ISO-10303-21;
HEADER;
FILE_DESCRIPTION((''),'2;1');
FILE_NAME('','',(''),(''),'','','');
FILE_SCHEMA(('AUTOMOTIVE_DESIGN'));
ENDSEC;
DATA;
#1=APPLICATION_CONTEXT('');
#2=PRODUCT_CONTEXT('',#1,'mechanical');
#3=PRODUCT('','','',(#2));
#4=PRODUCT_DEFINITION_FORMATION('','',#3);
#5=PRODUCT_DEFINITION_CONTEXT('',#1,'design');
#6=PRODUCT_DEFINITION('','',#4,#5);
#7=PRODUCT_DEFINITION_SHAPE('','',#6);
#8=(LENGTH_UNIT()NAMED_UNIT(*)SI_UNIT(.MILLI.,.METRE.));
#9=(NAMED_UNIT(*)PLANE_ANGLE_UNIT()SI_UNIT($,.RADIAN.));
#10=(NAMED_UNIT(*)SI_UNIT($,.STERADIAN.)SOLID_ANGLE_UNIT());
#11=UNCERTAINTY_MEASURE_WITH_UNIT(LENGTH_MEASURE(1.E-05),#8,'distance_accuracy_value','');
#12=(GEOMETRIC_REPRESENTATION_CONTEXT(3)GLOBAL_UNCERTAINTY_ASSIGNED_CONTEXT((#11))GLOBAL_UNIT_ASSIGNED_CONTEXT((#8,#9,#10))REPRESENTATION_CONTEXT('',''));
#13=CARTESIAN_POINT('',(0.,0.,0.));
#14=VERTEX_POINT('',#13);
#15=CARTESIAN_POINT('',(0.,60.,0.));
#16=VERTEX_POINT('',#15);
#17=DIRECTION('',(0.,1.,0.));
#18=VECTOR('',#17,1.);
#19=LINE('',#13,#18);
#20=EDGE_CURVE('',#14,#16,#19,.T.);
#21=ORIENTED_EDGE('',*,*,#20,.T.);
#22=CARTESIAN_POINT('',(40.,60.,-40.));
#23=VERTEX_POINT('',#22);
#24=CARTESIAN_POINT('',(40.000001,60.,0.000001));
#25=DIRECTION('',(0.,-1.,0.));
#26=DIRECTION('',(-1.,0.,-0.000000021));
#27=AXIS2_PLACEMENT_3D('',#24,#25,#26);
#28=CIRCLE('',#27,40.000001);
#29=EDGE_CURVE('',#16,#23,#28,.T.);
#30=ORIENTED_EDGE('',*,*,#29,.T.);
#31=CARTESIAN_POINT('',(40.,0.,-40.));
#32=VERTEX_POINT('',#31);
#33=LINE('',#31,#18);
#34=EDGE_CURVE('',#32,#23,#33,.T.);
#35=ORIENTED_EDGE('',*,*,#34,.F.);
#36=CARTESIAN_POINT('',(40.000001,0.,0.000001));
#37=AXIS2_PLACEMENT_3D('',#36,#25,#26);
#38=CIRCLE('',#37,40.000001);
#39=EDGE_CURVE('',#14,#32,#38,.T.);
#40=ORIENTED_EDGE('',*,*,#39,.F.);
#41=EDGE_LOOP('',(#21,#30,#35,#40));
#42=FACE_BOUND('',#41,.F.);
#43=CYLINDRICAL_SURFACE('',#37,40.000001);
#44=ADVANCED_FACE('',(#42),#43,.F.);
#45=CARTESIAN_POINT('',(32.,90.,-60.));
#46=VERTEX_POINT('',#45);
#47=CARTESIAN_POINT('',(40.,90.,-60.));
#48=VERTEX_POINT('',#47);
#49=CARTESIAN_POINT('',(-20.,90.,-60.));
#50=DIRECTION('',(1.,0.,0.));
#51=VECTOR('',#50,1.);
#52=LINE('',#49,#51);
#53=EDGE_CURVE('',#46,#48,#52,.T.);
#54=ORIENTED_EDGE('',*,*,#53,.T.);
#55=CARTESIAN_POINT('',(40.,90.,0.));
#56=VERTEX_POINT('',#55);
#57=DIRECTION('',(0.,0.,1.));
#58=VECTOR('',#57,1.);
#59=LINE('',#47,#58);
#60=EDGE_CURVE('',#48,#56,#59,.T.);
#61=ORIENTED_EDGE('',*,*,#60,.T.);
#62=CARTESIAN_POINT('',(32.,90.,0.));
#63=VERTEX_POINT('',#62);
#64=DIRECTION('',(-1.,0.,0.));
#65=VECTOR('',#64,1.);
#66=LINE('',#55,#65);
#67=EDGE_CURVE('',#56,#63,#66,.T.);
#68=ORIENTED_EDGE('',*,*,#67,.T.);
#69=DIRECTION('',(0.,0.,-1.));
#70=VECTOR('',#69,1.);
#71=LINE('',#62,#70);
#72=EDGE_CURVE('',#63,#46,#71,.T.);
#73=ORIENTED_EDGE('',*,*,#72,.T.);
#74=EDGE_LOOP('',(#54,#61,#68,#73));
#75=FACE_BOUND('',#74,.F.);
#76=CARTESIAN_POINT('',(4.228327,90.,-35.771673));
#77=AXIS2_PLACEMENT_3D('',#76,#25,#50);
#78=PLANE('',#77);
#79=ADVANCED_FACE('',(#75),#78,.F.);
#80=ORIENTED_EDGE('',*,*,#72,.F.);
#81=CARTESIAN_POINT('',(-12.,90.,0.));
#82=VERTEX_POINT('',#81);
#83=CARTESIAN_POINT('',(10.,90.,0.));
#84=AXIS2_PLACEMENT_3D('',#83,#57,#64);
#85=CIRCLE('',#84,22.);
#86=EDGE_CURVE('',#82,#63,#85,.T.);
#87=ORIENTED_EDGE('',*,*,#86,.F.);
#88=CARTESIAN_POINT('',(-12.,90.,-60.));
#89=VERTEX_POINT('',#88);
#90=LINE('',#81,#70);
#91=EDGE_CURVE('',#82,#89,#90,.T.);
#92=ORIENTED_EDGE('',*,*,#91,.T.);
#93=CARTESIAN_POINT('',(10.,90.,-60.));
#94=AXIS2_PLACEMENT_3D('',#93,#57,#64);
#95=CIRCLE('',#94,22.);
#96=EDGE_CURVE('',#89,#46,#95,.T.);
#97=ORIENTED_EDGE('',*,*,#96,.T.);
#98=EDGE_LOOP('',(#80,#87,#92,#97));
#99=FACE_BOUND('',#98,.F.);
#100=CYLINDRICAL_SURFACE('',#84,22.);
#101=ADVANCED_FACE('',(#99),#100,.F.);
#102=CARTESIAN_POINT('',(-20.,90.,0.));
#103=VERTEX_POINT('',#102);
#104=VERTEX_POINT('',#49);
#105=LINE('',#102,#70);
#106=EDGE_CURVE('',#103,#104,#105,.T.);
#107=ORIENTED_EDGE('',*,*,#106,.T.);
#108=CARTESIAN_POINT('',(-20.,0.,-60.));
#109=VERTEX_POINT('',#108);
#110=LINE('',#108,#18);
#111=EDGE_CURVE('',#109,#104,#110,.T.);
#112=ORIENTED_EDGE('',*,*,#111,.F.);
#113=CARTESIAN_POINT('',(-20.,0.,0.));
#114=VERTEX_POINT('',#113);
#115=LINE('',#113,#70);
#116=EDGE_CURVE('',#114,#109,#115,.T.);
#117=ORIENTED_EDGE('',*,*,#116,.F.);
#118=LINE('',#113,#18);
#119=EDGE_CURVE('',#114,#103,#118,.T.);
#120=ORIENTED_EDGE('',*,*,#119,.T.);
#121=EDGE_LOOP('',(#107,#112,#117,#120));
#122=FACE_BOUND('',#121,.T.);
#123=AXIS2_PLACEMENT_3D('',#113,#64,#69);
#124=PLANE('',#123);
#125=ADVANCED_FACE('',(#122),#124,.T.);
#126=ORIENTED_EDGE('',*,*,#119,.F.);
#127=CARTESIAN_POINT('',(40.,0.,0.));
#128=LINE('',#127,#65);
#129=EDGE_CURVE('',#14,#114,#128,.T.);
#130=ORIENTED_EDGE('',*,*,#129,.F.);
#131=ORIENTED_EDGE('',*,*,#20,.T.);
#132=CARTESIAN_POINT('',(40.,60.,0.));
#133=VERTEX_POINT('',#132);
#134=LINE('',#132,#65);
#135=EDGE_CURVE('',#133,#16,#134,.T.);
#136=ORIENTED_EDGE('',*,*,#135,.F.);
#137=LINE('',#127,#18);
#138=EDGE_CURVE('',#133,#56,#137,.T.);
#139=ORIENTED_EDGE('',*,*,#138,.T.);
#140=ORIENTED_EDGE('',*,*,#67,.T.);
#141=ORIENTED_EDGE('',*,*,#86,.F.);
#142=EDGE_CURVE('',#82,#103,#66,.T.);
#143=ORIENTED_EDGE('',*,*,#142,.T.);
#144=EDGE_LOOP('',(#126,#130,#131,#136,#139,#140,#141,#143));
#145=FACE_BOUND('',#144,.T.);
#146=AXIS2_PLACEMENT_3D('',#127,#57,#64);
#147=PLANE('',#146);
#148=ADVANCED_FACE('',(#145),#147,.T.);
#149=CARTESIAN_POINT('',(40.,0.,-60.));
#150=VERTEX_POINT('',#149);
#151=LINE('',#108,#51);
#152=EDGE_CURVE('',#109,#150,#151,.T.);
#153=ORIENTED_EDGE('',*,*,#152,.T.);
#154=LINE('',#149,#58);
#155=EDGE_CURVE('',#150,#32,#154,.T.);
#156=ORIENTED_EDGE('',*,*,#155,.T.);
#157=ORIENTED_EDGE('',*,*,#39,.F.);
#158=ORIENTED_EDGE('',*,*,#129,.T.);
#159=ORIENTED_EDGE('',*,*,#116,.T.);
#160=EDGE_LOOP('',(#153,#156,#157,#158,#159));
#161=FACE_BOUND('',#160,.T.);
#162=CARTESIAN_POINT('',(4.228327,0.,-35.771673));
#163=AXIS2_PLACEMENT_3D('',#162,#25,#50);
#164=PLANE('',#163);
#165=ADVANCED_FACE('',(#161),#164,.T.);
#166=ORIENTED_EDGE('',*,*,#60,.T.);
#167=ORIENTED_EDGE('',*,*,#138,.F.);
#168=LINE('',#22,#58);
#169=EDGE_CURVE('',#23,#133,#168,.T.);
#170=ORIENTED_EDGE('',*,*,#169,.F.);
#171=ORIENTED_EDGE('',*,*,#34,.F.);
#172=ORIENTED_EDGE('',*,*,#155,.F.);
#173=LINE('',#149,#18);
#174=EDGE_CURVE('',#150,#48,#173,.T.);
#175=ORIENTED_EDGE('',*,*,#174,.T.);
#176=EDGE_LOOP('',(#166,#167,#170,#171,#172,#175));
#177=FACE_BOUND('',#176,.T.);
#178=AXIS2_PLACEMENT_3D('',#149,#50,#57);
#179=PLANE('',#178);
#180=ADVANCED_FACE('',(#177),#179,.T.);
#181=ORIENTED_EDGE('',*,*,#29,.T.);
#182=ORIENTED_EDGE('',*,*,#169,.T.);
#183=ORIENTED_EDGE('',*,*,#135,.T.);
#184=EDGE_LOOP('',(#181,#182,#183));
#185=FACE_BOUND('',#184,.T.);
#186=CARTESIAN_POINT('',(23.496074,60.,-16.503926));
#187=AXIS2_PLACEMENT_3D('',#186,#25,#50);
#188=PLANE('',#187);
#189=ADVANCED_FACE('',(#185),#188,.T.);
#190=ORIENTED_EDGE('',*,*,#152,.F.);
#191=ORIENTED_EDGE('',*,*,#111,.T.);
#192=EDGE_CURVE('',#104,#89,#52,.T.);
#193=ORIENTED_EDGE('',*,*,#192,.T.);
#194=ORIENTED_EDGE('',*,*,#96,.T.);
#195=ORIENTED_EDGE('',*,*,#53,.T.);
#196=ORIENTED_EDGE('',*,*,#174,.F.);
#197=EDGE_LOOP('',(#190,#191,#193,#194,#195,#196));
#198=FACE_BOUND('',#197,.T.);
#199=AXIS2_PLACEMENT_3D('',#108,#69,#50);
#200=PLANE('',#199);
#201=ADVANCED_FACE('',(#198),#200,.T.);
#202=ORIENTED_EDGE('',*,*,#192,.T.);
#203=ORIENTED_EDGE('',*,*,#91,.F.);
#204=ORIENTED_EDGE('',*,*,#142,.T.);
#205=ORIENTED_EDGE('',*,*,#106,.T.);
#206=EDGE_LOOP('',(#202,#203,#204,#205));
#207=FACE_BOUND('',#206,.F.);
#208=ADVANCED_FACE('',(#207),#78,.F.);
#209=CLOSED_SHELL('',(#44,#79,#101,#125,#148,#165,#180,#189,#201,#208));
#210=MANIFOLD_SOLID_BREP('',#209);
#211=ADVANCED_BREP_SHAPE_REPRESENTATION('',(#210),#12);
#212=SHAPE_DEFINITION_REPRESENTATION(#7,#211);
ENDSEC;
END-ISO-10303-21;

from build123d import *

# Parameters (mm, degrees)
F1_DEPTH = 90
F2_DEPTH = 60
F4_DEPTH = 60.001


with BuildPart() as f1:
    # F0 (on Front) → F1 (new body)
    with BuildSketch(Plane.XZ):
        with BuildLine():
            Line((0, 0), (-20, 0))
            Line((-20, 0), (-20, -60))
            Line((-20, -60), (40, -60))
            Line((40, -60), (40, -40))
            ThreePointArc((40, -40), (11.715729, -28.284271), (0, 0))
        make_face()
        with BuildLine():
            Line((40, 0), (0, 0))
            ThreePointArc((0, 0), (11.715729, -28.284271), (40, -40))
            Line((40, -40), (40, 0))
        make_face()
    extrude(amount=-F1_DEPTH)

    # F0 (on Front) → F2 (cut)
    with BuildSketch(Plane.XZ):
        with BuildLine():
            Line((40, 0), (0, 0))
            ThreePointArc((0, 0), (11.715729, -28.284271), (40, -40))
            Line((40, -40), (40, 0))
        make_face()
    extrude(amount=-F2_DEPTH, mode=Mode.SUBTRACT)

    # F3 (on face) → F4 (cut, through all)
    with BuildSketch(Plane.XY):
        with BuildLine():
            Line((32, 90), (-12, 90))
            ThreePointArc((-12, 90), (10, 68), (32, 90))
        make_face()
    extrude(amount=-F4_DEPTH, mode=Mode.SUBTRACT)


solid = f1.part
